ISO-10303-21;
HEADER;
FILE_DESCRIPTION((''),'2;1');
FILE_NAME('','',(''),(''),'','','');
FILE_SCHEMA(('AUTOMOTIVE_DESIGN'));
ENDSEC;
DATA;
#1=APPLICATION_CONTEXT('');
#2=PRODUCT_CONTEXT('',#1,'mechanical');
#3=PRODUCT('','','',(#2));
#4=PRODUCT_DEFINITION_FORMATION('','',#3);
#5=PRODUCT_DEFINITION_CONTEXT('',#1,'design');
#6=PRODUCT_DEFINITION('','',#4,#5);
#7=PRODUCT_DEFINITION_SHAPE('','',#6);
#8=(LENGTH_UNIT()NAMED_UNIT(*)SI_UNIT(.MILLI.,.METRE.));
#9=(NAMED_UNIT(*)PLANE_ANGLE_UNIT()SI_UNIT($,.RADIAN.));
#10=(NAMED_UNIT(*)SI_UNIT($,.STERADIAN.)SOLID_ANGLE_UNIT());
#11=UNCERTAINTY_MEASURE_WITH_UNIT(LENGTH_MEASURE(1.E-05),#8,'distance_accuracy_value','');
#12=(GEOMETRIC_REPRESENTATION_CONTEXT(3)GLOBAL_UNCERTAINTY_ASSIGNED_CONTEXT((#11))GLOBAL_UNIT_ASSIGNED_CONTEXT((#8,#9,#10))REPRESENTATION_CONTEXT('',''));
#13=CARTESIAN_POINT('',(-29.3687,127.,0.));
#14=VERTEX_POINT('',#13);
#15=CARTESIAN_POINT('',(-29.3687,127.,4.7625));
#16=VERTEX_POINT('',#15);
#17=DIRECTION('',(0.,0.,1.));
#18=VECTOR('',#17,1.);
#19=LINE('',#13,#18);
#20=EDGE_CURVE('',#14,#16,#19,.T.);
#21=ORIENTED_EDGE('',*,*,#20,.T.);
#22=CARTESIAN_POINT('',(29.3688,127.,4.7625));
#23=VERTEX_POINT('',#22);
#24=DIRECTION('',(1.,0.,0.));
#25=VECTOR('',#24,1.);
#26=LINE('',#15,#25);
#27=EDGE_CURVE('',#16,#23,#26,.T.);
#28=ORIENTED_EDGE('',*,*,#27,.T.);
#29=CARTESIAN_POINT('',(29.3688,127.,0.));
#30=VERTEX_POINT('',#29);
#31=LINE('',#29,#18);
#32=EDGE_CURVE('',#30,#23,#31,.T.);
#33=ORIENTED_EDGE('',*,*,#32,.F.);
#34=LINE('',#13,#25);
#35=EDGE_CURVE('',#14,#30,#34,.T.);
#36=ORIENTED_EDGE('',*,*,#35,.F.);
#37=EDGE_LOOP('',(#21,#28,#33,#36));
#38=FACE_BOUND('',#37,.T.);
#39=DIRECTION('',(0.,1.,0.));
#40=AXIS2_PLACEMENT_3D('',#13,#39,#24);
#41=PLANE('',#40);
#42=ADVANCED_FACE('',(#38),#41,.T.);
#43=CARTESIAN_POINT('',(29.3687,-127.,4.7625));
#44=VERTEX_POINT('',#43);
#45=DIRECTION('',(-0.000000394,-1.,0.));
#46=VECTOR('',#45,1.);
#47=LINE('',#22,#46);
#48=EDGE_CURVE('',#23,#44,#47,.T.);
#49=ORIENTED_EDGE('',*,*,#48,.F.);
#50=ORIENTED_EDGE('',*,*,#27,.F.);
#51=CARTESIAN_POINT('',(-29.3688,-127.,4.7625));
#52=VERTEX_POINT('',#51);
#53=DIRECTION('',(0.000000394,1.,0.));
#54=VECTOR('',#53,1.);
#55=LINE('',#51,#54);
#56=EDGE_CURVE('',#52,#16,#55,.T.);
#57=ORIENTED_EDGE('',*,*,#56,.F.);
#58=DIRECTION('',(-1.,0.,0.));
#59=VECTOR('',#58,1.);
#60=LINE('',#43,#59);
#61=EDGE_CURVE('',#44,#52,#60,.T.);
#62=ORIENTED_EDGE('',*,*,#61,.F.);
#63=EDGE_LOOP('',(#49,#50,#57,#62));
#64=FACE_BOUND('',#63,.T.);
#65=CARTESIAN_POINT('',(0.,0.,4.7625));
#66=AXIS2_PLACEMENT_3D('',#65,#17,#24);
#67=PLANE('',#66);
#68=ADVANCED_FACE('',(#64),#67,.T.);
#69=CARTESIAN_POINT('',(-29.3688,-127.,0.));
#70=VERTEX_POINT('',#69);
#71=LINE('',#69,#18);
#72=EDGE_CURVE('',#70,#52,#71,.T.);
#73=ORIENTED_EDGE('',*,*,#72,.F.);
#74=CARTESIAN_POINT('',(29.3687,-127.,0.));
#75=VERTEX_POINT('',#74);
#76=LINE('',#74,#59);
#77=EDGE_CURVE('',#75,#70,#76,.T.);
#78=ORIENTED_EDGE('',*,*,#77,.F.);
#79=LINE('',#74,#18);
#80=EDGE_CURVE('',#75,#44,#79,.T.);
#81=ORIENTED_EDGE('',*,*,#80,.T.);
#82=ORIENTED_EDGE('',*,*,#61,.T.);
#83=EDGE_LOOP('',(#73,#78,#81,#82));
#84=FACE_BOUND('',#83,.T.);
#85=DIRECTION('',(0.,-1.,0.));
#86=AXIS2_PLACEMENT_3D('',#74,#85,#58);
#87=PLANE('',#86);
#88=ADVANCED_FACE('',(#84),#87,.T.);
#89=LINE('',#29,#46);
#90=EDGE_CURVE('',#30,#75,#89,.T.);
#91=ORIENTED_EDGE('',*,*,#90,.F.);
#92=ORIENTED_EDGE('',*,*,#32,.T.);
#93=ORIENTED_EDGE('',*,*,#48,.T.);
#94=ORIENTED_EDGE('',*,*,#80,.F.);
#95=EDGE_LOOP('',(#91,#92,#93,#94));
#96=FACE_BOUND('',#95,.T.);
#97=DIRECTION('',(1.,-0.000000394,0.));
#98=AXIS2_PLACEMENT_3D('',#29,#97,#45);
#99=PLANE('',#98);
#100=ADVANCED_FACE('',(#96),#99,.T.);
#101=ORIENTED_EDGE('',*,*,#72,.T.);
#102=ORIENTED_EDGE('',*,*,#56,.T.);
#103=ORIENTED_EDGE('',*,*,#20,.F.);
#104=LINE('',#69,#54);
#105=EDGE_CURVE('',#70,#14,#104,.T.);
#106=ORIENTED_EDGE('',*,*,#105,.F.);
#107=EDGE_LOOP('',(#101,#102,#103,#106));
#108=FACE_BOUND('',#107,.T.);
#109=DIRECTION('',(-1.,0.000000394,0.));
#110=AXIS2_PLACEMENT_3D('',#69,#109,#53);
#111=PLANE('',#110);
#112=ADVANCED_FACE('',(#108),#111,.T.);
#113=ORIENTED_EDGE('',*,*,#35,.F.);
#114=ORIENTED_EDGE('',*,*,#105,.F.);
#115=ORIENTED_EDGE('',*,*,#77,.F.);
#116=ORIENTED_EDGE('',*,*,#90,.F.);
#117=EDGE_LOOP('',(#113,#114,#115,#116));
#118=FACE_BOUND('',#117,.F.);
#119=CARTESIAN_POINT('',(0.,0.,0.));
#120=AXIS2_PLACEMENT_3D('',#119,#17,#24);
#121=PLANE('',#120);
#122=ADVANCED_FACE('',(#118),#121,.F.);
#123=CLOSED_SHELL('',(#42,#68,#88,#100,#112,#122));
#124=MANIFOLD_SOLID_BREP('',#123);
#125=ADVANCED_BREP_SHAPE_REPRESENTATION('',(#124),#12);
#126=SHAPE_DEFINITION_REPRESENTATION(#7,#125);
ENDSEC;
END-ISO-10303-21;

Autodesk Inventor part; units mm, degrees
ref_plane "YZ Plane" through (0, 0, 0) normal (1, 0, 0) x (0, 1, 0)
ref_plane "XZ Plane" through (0, 0, 0) normal (0, 1, 0) x (-1, 0, 0)
ref_plane "XY Plane" through (0, 0, 0) normal (0, 0, 1) x (1, 0, 0)
sketch "Sketch1" plane through (0, 0, 0) normal (0, 0, 1) x (1, 0, 0)
  line L0 (-29.3687, 127) -> (29.3688, 127)
  line L1 (29.3688, 127) -> (29.3687, -127)
  line L2 (29.3687, -127) -> (-29.3688, -127)
  line L3 (-29.3688, -127) -> (-29.3687, 127)
  line L4 (-29.3687, 127) -> (29.3687, -127) construction
  line L5 (29.3688, 127) -> (-29.3688, -127) construction
  point P0 (0, 0)
  dimension "d0" = 58.7375
  dimension "d1" = 254
extrude "Plate1" add sketch "Sketch1" along normal blind 4.7625
equation "\"BendRadius\" = Thickness"
equation "\"BendReliefWidth\" = Thickness"
equation "\"BendReliefDepth\" = 0.5 * Thickness"
equation "\"CornerReliefSize\" = 4 * Thickness"
equation "\"MinimumRemnant\" = 2 * Thickness"
equation "\"TransitionRadius\" = BendRadius"
equation "\"JacobiRadiusSize\" = BendRadius"
equation "\"GapSize\" = Thickness"
equation "\"d2\" = BendRadius"
equation "\"Thickness\" = 4.7625"
properties part number "RearLeftRightTBack" material "Steel, Mild"
